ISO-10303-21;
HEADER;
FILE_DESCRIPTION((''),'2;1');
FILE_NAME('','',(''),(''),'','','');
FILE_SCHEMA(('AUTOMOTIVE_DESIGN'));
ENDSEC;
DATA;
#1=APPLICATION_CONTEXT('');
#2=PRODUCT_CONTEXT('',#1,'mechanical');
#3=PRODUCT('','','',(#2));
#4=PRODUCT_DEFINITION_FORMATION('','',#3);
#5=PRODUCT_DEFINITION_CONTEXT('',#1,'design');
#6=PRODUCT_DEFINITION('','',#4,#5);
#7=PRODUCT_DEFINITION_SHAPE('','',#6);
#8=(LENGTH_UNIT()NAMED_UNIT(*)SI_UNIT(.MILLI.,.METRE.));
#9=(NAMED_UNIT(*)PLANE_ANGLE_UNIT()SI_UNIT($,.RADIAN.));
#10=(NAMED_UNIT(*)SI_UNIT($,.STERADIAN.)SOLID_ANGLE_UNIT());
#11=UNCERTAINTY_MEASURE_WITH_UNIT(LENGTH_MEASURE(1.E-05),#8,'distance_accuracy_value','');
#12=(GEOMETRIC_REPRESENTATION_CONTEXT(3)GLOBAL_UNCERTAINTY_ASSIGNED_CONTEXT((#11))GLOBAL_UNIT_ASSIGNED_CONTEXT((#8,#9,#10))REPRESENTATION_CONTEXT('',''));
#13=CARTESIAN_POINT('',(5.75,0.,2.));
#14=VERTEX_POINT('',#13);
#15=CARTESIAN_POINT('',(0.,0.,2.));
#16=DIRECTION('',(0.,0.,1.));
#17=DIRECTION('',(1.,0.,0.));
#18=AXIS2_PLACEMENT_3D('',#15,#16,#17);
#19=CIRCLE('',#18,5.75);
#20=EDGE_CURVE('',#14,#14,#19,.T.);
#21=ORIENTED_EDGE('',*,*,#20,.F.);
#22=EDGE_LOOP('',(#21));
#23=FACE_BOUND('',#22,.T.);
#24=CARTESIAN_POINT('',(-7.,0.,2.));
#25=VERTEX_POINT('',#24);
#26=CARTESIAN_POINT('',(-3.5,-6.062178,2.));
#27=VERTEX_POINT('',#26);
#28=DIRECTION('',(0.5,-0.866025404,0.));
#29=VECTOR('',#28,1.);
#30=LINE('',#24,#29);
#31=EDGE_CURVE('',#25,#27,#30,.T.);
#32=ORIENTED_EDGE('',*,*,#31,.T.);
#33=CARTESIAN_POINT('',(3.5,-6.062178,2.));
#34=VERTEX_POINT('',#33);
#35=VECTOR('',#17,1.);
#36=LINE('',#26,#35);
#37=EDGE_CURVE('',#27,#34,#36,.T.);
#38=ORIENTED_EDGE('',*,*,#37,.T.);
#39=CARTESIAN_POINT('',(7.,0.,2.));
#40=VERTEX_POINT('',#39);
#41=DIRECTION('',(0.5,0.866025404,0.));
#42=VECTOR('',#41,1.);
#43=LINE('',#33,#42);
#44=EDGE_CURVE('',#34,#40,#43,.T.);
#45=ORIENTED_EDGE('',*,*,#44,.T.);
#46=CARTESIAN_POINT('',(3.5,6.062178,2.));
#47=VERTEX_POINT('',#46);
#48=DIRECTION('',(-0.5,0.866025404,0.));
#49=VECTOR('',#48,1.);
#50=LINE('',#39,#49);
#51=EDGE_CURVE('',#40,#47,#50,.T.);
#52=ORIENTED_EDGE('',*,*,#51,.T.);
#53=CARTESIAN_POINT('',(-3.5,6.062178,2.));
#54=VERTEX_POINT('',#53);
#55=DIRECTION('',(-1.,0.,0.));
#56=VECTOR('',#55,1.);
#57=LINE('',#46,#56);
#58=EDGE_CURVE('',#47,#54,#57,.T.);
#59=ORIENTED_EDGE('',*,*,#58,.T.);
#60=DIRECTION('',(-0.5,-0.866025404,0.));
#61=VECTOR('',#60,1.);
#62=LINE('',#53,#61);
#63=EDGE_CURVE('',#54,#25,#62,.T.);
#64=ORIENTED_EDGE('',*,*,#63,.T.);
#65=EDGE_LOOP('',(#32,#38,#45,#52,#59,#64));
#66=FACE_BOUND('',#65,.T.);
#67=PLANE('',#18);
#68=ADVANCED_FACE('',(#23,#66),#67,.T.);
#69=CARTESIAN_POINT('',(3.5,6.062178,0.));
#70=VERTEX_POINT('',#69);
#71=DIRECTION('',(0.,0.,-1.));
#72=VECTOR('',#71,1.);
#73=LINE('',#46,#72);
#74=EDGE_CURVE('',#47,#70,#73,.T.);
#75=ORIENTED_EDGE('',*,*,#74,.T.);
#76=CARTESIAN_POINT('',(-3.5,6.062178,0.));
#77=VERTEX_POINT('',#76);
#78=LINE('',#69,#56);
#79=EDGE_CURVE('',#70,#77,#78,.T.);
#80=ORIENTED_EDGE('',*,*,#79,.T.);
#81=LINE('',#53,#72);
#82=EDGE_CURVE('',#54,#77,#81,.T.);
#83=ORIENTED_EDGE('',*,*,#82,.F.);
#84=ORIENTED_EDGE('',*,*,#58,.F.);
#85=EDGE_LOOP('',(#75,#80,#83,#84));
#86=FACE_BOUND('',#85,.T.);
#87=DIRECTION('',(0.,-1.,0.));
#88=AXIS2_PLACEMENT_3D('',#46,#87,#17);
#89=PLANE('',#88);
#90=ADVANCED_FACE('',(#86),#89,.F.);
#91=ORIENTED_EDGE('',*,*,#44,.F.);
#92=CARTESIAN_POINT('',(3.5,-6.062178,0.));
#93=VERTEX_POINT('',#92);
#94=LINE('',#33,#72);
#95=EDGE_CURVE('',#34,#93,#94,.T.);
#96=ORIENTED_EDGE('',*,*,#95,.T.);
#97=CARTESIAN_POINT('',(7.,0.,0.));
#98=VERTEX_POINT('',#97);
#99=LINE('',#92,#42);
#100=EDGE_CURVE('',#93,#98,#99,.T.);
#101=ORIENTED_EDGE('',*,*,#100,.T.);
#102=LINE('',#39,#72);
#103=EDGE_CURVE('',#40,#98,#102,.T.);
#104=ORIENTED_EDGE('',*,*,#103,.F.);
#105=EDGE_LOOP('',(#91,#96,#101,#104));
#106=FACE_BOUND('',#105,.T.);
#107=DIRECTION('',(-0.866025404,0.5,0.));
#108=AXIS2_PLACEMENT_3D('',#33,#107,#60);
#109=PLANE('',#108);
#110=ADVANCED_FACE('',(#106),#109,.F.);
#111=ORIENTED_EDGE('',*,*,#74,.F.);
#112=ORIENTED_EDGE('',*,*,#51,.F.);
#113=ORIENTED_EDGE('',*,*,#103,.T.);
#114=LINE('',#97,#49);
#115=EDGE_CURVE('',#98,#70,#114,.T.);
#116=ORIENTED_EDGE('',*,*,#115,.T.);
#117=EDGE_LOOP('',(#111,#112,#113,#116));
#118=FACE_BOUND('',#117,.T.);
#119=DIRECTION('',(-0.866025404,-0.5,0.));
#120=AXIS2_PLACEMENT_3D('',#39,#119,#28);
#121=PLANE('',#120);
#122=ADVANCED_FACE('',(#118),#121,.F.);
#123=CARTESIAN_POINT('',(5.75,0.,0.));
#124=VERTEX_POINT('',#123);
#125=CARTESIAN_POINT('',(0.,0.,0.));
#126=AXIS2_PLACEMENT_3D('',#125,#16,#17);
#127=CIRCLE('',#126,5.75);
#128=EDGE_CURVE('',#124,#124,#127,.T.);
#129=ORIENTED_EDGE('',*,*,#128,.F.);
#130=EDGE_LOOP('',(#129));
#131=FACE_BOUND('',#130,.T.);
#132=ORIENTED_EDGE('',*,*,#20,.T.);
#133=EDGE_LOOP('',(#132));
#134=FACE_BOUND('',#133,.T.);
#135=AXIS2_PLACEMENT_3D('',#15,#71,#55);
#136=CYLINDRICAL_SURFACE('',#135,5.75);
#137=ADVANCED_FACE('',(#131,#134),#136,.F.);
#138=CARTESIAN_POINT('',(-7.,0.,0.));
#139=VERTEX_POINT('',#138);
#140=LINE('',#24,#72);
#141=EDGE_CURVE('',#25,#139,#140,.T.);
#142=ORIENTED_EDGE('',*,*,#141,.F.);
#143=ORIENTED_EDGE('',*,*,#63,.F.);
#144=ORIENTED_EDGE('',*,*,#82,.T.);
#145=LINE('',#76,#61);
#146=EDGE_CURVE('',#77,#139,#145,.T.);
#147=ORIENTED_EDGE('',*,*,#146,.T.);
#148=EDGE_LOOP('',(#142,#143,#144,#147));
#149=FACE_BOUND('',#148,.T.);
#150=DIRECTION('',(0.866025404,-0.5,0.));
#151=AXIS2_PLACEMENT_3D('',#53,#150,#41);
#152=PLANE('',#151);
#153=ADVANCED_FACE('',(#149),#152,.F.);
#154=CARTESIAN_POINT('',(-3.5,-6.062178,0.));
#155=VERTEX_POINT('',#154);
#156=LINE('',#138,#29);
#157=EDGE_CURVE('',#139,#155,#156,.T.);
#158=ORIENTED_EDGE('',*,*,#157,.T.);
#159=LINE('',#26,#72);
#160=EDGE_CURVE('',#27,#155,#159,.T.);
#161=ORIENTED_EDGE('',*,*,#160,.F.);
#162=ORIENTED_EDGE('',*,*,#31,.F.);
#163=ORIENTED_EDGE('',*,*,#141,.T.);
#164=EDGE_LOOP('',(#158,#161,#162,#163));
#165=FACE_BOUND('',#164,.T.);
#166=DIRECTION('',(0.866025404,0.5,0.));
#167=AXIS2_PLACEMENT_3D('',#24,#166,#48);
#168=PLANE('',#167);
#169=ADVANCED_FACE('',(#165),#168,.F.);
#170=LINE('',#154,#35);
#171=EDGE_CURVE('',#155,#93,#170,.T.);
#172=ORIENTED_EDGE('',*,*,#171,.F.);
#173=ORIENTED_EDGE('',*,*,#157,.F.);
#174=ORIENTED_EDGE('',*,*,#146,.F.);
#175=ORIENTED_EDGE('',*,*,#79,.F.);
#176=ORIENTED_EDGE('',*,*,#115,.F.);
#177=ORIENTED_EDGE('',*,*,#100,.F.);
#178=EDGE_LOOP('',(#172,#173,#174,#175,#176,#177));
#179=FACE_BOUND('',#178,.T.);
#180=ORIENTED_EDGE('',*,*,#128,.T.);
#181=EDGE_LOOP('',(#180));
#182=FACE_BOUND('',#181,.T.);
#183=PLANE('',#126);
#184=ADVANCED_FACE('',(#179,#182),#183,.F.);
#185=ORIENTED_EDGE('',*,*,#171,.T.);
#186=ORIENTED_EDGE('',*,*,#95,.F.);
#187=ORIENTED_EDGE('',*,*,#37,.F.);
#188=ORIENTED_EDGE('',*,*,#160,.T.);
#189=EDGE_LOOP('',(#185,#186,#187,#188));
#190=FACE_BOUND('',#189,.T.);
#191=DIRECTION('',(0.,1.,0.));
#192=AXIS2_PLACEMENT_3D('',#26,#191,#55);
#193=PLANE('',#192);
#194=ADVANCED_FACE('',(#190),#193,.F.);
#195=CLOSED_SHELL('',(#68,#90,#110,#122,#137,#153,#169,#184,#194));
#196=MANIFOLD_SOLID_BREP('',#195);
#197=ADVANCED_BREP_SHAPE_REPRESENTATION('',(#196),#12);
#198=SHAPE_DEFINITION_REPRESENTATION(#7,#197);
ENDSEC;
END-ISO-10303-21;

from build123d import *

# Parameters (mm, degrees)
SKETCH_1_R      = 5.75
EXTRUDE_1_DEPTH = 2


with BuildPart() as part:
    # 草图1 → 凸台-拉伸1 (new body)
    with BuildSketch(Plane.XY):
        Polygon((7, 0), (3.5, 6.062177826), (-3.5, 6.062177826), (-7, 0), (-3.5, -6.062177826), (3.5, -6.062177826), align=None)
        Circle(SKETCH_1_R, mode=Mode.SUBTRACT)
    extrude(amount=EXTRUDE_1_DEPTH)


solid = part.part
